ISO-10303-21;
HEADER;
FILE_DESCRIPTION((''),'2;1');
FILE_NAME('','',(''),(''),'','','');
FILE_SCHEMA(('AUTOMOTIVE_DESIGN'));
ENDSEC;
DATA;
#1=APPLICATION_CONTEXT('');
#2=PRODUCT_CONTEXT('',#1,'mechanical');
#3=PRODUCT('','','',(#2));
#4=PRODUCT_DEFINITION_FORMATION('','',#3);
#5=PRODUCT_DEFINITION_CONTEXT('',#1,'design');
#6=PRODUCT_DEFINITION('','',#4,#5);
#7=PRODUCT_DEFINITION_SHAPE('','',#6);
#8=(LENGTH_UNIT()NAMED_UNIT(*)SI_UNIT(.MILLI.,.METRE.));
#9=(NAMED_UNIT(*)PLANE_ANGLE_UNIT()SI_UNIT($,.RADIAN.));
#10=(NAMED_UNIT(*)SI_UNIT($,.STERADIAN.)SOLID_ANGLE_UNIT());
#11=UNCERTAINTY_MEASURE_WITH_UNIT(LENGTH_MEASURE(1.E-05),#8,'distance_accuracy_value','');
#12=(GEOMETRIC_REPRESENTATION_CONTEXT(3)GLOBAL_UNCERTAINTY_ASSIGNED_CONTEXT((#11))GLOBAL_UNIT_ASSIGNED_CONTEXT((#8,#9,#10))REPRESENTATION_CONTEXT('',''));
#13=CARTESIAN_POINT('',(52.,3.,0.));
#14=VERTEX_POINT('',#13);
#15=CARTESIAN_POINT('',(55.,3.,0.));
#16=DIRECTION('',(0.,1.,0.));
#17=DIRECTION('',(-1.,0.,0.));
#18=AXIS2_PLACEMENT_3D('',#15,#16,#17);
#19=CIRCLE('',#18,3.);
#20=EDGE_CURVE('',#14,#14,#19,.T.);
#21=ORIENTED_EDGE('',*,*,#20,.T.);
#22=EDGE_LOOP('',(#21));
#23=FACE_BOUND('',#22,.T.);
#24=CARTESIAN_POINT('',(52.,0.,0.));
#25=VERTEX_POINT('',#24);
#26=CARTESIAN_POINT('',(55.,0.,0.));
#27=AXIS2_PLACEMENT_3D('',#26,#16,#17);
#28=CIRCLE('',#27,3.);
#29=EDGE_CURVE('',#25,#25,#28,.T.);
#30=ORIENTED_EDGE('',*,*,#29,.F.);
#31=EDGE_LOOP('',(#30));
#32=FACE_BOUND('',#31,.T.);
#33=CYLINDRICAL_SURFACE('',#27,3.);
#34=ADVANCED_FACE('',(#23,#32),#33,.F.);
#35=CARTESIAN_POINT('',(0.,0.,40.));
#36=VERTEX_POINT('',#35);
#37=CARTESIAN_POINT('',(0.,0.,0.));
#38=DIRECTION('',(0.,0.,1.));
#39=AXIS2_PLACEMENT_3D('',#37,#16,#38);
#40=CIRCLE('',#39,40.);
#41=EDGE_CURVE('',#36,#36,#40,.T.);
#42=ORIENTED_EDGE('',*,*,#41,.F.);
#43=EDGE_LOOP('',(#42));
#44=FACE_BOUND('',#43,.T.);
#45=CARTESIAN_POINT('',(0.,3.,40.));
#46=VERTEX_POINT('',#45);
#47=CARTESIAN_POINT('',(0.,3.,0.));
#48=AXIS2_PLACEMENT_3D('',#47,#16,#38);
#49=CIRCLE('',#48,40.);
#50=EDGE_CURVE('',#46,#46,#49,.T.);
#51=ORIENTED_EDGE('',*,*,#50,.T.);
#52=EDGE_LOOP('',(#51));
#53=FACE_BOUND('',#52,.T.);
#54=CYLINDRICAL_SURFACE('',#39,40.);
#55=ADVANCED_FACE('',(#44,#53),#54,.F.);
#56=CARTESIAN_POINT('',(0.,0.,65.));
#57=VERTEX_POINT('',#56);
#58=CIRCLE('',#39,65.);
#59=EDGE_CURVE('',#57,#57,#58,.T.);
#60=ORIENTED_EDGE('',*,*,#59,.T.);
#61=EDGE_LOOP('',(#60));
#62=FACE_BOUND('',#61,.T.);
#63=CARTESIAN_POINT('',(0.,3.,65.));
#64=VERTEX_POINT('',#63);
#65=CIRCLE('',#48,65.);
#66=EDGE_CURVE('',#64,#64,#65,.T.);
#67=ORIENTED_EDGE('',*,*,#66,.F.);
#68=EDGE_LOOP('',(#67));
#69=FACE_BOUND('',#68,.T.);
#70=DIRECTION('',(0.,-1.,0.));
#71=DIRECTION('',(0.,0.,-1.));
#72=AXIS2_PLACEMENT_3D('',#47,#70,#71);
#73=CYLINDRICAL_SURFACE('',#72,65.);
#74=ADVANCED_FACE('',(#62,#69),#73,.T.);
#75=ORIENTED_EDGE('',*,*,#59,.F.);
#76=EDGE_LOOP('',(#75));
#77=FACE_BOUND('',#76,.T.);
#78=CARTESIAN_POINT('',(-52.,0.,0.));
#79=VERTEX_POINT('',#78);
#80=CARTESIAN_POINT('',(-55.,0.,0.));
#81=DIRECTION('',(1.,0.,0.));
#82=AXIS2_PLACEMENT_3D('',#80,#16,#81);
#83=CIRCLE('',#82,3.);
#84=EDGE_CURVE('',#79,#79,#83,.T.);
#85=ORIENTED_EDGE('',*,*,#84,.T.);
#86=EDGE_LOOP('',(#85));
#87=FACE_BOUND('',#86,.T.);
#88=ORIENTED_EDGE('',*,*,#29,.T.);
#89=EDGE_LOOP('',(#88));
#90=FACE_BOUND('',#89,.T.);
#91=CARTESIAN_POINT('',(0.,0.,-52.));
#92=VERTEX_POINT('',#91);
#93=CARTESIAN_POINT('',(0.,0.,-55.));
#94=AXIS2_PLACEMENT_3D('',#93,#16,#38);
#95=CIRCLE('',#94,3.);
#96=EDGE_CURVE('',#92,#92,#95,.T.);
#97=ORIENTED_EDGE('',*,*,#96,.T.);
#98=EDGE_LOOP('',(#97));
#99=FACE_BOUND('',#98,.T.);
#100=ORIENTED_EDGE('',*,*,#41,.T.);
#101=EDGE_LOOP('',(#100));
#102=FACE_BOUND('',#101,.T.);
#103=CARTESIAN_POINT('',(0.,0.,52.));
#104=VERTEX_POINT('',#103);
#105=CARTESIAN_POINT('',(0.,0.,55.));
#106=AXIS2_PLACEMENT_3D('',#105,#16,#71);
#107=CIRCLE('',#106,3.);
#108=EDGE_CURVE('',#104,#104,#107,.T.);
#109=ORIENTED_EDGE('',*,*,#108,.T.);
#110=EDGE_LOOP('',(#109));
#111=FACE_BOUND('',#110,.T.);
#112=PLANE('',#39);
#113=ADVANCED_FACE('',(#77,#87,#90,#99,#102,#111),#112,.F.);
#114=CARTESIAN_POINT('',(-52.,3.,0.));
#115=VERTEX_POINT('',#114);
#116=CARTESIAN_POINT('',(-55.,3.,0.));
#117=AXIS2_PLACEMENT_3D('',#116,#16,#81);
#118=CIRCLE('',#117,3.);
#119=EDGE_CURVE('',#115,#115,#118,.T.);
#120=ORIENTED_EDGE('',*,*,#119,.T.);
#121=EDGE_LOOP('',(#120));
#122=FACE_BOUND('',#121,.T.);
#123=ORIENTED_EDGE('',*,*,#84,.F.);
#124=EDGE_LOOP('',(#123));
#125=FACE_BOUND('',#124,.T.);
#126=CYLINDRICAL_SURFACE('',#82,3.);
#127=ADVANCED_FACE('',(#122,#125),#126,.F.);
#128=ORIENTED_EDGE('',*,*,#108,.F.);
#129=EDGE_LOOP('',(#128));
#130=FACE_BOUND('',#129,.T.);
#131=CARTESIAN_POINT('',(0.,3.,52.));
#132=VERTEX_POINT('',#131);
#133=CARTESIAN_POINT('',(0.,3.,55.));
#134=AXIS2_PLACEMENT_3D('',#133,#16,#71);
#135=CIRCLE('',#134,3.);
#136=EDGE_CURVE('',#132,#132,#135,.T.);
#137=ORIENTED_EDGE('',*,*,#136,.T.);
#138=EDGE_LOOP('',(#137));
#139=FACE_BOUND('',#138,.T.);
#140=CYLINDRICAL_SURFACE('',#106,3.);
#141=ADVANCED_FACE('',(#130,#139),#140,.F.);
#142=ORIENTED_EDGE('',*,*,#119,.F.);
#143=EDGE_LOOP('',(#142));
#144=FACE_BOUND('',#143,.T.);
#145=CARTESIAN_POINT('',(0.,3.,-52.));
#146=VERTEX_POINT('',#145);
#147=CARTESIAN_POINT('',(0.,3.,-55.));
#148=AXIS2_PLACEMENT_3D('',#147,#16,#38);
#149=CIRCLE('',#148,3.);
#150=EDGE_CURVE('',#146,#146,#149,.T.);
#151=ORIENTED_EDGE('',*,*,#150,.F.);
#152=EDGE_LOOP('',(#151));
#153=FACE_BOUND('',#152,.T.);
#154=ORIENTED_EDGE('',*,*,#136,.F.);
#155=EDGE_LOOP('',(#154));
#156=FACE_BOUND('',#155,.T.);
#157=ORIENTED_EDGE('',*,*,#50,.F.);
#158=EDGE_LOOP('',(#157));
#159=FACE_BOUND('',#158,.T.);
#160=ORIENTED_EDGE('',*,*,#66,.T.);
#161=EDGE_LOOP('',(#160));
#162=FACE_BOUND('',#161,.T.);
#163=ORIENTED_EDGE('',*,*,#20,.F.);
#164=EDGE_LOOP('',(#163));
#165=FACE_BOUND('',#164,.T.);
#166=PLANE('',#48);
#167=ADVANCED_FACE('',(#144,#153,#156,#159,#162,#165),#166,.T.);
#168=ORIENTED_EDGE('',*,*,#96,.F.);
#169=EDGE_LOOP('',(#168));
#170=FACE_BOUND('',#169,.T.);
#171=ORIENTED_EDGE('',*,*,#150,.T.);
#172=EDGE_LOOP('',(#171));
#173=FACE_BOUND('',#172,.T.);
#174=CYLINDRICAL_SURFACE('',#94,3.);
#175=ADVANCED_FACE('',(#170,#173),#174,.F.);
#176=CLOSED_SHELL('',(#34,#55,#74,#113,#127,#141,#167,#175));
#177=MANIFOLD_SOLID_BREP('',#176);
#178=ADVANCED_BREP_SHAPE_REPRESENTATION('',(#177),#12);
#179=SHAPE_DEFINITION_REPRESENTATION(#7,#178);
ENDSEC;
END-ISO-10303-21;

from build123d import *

# Parameters (mm, degrees)
SKETCH1_R           = 65
BOSS_EXTRUDE1_DEPTH = 3
SKETCH2_R           = 3
CUT_EXTRUDE1_DEPTH  = 4
CIRPATTERN1_COUNT   = 4
SKETCH3_R           = 40
CUT_EXTRUDE2_DEPTH  = 4


with BuildPart() as part:
    # Sketch1 → Boss-Extrude1 (new body)
    with BuildSketch(Plane(origin=(0, 0, 0), x_dir=(1, 0, 0), z_dir=(0, 1, 0))):
        Circle(SKETCH1_R)
    extrude(amount=BOSS_EXTRUDE1_DEPTH)

    # Sketch2 → Cut-Extrude1 (cut, through all)
    with BuildSketch(Plane(origin=(0, 3, 0), x_dir=(1, 0, 0), z_dir=(0, 1, 0))):
        with Locations((0, 55)):
            Circle(SKETCH2_R)
    cut_extrude1 = extrude(amount=-CUT_EXTRUDE1_DEPTH, mode=Mode.SUBTRACT)

    # CirPattern1: Cut-Extrude1 ×4 about axis
    cirpattern1_axis = Axis((0, 0, 0), (0, 1, 0))
    for i in range(1, CIRPATTERN1_COUNT):
        add(cut_extrude1.rotate(cirpattern1_axis, i * 360 / CIRPATTERN1_COUNT), mode=Mode.SUBTRACT)

    # Sketch3 → Cut-Extrude2 (cut, through all)
    with BuildSketch(Plane(origin=(0, 3, 0), x_dir=(1, 0, 0), z_dir=(0, 1, 0))):
        Circle(SKETCH3_R)
    extrude(amount=-CUT_EXTRUDE2_DEPTH, mode=Mode.SUBTRACT)


solid = part.part
